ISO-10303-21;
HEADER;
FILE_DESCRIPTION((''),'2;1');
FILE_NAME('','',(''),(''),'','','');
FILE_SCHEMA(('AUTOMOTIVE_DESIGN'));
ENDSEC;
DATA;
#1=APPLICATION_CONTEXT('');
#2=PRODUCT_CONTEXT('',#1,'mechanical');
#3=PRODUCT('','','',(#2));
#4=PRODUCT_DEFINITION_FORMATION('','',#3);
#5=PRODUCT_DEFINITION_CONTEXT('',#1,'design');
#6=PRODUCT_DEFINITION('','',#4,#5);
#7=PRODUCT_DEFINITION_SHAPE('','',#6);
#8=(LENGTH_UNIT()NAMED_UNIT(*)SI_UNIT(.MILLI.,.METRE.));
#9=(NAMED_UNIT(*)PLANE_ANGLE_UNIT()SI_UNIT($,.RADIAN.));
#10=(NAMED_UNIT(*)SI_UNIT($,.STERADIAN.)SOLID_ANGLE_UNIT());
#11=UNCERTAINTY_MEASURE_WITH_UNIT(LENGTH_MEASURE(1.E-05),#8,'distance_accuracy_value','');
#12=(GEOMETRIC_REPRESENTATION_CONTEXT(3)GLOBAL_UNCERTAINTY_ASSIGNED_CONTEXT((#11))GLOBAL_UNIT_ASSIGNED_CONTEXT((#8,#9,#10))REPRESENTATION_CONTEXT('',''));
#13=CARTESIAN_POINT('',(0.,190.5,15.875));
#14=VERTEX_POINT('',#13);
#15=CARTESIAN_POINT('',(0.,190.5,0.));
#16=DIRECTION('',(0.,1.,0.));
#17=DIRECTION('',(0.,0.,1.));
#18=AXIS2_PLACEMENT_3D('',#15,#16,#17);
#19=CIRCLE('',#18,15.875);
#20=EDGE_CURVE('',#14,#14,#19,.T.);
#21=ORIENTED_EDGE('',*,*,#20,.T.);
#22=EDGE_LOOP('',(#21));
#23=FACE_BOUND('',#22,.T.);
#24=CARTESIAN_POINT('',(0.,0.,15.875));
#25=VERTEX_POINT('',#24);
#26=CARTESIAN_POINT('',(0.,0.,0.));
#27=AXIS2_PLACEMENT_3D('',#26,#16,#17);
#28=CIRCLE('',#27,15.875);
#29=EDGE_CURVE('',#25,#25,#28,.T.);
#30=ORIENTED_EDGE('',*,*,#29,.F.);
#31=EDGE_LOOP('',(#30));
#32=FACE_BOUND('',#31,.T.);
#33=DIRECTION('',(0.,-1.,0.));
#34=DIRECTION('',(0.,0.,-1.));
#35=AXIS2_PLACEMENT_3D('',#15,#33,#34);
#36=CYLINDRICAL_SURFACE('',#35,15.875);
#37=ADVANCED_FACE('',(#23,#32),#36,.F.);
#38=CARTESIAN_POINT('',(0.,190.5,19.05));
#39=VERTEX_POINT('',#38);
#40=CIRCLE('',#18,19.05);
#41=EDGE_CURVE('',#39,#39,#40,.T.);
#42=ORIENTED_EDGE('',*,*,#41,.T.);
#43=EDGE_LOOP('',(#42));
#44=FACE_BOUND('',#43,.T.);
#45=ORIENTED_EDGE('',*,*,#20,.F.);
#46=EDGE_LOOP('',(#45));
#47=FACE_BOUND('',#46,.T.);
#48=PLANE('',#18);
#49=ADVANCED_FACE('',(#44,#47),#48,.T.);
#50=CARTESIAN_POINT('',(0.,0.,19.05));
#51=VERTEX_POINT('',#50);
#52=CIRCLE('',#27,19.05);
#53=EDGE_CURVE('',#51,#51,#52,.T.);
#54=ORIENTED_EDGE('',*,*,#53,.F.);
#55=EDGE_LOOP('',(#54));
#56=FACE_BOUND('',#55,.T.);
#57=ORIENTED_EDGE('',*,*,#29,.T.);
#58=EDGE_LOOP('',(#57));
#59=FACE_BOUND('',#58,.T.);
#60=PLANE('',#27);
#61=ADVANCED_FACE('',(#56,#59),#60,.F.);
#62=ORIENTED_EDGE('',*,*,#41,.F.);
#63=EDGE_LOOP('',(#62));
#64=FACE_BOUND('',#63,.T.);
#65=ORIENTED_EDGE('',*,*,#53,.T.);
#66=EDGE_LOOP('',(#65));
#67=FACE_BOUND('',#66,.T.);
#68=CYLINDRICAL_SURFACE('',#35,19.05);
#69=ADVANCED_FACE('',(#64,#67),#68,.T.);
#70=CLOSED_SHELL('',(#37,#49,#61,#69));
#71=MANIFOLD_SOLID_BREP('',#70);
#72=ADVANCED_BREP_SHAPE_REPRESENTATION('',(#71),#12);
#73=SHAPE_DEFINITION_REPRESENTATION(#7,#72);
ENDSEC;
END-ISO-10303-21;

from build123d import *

# Parameters (mm, degrees)
SKETCH1_R           = 19.05
SKETCH1_R_2         = 15.875
BOSS_EXTRUDE1_DEPTH = 190.5


with BuildPart() as part:
    # Sketch1 → Boss-Extrude1 (new body)
    with BuildSketch(Plane(origin=(0, 0, 0), x_dir=(1, 0, 0), z_dir=(0, 1, 0))):
        with Locations(Location((0, 0, 0), (0, 0, 270))):
            Circle(SKETCH1_R)
        with Locations(Location((0, 0, 0), (0, 0, 270))):
            Circle(SKETCH1_R_2, mode=Mode.SUBTRACT)
    extrude(amount=BOSS_EXTRUDE1_DEPTH)


solid = part.part
